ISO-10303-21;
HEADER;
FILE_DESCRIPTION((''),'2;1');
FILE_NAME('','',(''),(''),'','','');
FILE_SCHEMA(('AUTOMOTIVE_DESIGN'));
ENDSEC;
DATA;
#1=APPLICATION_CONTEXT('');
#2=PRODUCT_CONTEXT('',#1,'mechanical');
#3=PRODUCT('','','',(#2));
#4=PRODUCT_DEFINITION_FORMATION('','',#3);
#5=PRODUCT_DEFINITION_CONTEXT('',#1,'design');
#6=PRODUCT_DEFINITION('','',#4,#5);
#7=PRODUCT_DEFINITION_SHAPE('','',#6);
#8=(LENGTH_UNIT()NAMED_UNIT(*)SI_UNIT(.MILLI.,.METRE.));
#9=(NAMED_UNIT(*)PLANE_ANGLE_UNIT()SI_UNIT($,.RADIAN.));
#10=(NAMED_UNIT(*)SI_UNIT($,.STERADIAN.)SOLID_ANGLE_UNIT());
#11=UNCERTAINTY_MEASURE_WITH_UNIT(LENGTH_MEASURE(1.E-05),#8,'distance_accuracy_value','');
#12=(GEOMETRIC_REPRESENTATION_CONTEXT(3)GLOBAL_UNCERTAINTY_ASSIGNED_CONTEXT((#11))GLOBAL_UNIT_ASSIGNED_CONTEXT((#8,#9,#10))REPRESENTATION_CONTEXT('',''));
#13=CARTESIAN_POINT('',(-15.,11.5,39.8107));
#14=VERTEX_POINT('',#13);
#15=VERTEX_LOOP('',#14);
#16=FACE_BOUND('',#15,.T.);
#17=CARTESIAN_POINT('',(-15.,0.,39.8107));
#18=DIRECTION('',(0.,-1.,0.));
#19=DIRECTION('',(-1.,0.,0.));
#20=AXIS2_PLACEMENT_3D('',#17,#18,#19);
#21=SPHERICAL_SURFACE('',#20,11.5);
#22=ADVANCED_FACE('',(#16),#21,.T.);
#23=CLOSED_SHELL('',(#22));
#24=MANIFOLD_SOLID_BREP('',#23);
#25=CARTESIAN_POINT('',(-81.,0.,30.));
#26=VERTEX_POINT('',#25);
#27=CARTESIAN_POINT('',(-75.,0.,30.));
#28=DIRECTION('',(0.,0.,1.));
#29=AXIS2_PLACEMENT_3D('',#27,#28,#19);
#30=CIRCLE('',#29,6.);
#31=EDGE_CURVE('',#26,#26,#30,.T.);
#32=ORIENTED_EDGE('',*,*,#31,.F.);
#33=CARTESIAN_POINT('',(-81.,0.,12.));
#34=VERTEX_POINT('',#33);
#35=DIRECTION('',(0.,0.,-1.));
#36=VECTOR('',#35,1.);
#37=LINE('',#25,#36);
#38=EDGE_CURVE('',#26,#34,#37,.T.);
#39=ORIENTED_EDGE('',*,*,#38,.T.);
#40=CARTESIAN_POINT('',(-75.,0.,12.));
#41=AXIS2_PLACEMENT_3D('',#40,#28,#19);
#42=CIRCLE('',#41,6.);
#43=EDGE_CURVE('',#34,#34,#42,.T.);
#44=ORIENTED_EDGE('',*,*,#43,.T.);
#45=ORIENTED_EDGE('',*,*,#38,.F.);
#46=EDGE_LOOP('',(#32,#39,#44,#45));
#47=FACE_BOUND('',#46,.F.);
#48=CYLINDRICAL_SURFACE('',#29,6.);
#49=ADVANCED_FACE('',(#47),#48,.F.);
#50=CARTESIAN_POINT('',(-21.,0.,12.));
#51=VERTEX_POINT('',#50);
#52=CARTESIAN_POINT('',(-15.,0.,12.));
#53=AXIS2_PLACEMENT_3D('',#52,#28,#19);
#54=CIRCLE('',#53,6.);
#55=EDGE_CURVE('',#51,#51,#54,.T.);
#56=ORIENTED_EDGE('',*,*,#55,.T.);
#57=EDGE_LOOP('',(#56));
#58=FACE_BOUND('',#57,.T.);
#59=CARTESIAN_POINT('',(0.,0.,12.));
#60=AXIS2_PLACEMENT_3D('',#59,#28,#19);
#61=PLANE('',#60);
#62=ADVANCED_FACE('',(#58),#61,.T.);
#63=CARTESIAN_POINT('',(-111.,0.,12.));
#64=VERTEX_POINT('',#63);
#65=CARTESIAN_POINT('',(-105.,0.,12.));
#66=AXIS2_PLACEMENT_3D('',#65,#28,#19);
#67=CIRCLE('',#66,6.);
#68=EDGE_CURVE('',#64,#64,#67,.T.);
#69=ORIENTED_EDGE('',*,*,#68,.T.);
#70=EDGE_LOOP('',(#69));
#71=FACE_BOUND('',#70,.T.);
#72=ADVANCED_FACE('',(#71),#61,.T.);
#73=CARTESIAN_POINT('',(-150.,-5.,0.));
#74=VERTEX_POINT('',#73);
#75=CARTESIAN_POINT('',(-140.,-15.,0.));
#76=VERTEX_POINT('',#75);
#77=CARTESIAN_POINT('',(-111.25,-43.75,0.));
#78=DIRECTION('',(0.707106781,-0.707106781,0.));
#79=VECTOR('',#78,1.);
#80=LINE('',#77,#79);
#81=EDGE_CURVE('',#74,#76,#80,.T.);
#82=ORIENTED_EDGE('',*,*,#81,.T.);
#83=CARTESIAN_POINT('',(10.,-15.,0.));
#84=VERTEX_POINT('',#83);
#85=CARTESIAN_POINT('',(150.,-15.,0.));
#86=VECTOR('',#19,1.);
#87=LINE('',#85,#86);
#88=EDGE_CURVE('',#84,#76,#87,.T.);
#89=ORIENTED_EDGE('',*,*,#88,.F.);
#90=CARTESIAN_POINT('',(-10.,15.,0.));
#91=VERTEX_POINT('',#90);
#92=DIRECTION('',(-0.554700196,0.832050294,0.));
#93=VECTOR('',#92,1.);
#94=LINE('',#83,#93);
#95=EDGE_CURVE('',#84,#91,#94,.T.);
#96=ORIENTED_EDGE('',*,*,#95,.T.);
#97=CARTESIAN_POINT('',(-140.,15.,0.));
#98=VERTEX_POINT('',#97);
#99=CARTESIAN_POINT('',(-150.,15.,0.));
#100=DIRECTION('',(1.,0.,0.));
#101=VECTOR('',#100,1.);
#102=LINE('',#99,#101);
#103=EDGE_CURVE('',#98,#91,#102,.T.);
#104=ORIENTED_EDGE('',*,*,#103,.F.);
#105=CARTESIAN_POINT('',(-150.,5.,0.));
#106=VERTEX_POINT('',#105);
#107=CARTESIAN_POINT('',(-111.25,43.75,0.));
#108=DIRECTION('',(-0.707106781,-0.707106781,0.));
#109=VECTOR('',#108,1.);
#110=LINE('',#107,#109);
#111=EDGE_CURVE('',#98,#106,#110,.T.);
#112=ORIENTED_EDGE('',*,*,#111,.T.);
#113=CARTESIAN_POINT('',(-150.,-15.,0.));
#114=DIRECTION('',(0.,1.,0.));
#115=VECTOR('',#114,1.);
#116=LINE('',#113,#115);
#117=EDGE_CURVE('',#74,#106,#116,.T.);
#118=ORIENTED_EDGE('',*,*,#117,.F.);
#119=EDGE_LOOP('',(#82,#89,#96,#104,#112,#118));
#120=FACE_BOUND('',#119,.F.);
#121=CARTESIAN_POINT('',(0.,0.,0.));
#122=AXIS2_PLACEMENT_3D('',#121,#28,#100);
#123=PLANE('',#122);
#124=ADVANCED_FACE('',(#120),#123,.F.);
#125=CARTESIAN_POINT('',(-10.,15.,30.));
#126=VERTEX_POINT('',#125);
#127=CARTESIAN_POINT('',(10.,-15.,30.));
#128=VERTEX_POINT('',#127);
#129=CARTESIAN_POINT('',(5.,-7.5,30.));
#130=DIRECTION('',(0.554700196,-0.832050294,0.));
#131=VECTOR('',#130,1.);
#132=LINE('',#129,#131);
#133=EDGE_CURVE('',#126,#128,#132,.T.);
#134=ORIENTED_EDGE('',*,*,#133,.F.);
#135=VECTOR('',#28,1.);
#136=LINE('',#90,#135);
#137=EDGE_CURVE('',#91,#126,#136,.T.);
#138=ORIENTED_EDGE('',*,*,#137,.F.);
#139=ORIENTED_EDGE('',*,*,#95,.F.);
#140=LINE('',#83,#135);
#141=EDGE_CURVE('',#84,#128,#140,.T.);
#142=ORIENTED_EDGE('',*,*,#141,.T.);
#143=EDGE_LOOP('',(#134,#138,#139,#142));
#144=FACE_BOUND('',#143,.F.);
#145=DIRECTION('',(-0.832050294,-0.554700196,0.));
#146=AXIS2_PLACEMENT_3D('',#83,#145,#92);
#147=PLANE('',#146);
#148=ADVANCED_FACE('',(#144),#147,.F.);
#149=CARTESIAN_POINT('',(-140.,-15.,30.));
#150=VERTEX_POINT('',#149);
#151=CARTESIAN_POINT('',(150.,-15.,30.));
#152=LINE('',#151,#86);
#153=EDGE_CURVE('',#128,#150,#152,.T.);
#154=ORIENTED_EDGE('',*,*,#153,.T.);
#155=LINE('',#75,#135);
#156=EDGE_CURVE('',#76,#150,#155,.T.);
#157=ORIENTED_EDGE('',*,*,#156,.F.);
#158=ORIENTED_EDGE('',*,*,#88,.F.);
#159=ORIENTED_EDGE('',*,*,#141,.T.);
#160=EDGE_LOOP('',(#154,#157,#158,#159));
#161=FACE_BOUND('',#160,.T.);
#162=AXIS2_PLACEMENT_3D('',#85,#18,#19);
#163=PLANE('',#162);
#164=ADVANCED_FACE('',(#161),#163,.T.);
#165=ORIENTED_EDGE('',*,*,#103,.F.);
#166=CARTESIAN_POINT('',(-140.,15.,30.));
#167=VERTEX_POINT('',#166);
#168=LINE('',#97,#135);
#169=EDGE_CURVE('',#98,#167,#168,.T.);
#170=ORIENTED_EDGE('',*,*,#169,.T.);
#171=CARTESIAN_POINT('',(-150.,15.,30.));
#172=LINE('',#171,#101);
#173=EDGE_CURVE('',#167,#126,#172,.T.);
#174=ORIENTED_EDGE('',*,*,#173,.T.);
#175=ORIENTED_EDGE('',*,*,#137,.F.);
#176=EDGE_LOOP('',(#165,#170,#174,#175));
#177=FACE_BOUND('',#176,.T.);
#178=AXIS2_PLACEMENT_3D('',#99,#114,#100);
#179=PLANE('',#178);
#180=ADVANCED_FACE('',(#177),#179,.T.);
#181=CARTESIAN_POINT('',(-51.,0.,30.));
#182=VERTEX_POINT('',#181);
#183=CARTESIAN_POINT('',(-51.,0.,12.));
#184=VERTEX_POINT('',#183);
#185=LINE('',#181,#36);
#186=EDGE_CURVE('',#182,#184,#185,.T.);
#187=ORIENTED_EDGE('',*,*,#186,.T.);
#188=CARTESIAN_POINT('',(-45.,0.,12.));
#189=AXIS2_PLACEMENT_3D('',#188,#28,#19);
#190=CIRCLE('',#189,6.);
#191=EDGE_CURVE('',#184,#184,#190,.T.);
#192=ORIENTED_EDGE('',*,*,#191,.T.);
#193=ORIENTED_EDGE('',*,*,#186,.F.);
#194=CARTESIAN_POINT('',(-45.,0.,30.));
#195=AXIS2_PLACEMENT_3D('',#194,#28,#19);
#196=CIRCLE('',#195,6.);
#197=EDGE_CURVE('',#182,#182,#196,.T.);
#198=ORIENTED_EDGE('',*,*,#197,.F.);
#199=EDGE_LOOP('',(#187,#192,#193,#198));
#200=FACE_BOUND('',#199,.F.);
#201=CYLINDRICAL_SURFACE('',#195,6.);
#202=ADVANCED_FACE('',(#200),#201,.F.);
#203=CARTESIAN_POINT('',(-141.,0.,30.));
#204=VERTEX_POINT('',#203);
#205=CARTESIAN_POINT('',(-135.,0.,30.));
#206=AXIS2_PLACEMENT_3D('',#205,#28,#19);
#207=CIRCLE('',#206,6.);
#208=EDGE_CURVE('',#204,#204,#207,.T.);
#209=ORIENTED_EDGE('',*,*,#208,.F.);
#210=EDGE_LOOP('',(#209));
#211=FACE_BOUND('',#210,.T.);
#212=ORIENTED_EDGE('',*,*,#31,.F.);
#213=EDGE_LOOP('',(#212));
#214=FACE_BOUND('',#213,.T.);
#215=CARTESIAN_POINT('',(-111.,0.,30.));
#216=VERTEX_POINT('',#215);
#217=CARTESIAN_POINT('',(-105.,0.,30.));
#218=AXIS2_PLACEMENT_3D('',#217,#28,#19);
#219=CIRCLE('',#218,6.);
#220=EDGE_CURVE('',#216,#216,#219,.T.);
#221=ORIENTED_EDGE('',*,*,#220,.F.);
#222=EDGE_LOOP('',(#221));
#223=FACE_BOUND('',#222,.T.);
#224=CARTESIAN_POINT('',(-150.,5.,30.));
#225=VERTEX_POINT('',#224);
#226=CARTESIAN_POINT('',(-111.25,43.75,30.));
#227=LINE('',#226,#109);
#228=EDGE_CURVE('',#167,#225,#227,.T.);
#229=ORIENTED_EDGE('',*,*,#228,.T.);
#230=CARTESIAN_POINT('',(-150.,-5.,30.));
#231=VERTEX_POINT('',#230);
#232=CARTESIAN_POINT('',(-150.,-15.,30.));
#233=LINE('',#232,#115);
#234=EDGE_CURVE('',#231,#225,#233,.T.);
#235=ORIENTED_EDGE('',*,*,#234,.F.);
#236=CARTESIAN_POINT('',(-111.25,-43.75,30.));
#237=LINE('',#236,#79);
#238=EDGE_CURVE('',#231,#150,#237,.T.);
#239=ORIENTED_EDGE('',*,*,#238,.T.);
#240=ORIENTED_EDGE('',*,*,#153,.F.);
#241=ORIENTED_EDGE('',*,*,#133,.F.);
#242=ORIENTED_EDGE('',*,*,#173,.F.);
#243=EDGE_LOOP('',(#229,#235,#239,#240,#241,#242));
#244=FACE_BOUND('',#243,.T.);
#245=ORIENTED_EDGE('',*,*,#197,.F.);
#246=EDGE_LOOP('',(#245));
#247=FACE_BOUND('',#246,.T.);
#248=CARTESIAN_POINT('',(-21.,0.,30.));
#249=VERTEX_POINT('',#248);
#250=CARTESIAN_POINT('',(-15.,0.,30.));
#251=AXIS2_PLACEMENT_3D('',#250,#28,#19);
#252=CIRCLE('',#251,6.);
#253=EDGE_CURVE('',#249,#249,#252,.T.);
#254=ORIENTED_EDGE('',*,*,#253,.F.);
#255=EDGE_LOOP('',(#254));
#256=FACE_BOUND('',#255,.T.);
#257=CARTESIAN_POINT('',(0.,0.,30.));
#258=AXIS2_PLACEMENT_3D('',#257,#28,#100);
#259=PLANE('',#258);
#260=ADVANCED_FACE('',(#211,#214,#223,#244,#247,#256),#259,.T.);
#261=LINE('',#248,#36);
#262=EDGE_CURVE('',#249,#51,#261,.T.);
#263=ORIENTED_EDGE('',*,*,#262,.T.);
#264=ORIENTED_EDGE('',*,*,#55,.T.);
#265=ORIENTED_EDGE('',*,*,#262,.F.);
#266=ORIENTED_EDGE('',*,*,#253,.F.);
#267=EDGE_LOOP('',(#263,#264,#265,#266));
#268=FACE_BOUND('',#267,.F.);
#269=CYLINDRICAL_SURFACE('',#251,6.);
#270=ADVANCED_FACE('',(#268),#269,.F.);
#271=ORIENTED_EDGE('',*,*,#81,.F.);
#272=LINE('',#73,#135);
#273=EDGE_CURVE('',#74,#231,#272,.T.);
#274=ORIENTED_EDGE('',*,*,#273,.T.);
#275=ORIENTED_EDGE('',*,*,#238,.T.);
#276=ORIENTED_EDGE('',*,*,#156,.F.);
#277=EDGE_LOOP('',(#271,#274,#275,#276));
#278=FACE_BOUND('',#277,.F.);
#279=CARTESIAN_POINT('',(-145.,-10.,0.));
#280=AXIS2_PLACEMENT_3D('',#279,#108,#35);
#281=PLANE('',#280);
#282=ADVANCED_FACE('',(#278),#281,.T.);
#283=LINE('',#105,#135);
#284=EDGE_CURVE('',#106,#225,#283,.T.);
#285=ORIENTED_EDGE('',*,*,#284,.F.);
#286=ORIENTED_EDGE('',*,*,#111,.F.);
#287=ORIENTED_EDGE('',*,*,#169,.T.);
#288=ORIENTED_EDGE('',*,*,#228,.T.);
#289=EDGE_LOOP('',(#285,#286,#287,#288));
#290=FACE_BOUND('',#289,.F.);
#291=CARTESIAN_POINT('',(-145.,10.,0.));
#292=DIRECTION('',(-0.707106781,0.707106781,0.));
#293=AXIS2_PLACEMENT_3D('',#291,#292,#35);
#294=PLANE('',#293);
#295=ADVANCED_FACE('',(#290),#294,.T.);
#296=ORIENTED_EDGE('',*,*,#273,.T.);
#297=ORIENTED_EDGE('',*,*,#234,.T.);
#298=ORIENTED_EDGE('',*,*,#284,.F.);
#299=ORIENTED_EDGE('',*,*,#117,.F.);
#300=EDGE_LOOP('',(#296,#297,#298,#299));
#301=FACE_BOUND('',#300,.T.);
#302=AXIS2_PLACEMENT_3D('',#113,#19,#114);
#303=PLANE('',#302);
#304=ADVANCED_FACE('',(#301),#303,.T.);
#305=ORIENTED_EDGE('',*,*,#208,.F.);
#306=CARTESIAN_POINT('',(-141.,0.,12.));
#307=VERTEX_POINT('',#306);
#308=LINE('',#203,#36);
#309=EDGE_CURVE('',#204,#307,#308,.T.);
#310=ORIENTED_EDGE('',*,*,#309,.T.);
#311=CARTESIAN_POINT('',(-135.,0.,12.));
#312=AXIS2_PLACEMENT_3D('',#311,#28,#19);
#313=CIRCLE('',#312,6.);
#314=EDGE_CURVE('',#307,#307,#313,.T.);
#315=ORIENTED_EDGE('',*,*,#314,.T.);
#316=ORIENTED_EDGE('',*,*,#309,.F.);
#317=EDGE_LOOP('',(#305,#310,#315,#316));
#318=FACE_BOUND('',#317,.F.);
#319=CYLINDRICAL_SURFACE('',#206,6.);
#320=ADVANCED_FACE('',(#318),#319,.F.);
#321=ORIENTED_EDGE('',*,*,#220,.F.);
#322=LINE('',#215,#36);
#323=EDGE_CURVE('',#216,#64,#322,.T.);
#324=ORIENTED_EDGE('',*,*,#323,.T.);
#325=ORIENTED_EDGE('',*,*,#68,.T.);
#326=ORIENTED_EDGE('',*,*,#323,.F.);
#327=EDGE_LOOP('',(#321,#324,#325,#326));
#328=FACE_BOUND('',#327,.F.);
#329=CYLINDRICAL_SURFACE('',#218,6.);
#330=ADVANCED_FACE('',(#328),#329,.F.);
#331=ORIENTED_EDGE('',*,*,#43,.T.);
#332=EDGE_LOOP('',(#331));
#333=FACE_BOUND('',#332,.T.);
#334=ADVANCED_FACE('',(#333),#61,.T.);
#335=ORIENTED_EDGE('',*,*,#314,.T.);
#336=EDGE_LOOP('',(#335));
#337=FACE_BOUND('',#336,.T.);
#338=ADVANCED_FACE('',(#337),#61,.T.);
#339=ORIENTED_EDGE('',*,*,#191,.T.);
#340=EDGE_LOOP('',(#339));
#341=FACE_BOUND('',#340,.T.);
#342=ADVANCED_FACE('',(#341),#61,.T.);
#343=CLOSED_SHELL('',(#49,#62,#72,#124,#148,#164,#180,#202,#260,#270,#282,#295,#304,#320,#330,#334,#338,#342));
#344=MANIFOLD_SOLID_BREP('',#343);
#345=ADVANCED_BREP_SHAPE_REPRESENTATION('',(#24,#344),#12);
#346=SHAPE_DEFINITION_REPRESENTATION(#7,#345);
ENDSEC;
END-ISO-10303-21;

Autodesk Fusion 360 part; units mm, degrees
sketch "Sketch1" plane through (0, 0, 0) normal (0, 0, 1) x (1, 0, 0) in component "Component"
  line L0 (150, -15) -> (-150, -15)
  line L1 (-150, -15) -> (-150, 15)
  line L2 (-150, 15) -> (150, 15)
  line L3 (150, 15) -> (150, -15)
  line L4 (150, -15) -> (-150, 15) construction
  line L5 (-150, -15) -> (150, 15) construction
  dimension "d1" = 300
  dimension "d2" = 30
extrude "Extrude1" add sketch "Sketch1" along normal blind 30 makes body 1 in component "Component"
sketch "Sketch2" plane through (0, 0, 30) normal (0, 0, 1) x (-1, 0, 0) in component "Component"
  line L0 (-150, -15) -> (150, -15)
  line L1 (150, -15) -> (150, 15)
  line L2 (150, 15) -> (-150, 15)
  line L3 (-150, 15) -> (-150, -15)
  line L4 (-150, 0) -> (-135, 0) construction
  circle A0 centre (-135, 0) radius 6
  circle A1 centre (-105, 0) radius 6
  circle A2 centre (-75, 0) radius 6
  circle A3 centre (-45, 0) radius 6
  circle A4 centre (-15, 0) radius 6
  circle A5 centre (15, 0) radius 6
  circle A6 centre (45, 0) radius 6
  circle A7 centre (75, 0) radius 6
  circle A8 centre (105, 0) radius 6
  circle A9 centre (135, 0) radius 6
  dimension "d5" = 15
  dimension "d6" = 12
  dimension "d9" = 30
  dimension "d10" = 0
extrude "Extrude2" cut sketch "Sketch2" against normal blind 18 contours A0 | A1 | A2 | A3 | A4 | A5 | A6 | A7 | A8 | A9 bodies 1 in component "Component"
chamfer "Chamfer1" distance 10 distance2 10 4 edges at (150, 15, 15) (-150, 15, 15) (-150, -15, 15) (150, -15, 15) measured on face at (150, 5, 10) measured on face at (-50, 15, 10) measured on face at (-150, -5, 10) measured on face at (50, -15, 10) on bodies 1 in component "Component"
sketch "Sketch3" plane through (0, 0, 0) normal (0, 0, -1) x (1, 0, 0) in component "Component"
  line L0 (150, 5) -> (140, 15)
  line L1 (140, 15) -> (-140, 15)
  line L2 (-140, 15) -> (-150, 5)
  line L3 (-150, 5) -> (-150, -5)
  line L4 (-150, -5) -> (-140, -15)
  line L5 (-140, -15) -> (140, -15)
  line L6 (140, -15) -> (150, -5)
  line L7 (150, -5) -> (150, 5)
  line L8 (0, 0) -> (0, 15) construction
  line L9 (0, 15) -> (10, 15) construction
  line L10 (10, 15) -> (-10, -15)
  dimension "d15" = 10
extrude "Extrude3" cut sketch "Sketch3" against normal blind 75 contours L0 L1 L5 L6 L7 L10 bodies 1 in component "Component"
sphere "SpherePrimitive1" add diameter 23 placed x (-1, 0, 0) y (0, -1, 0) z (0, 0, 1) at (-75, 0, 30) separate body makes body 2 in component "Component'"
sketch "Esquisse4" plane through (0, 0, 0) normal (0, 1, 0) x (1, 0, 0) in component "Component"
  line L0 (-9, -30) -> (-21, -30) construction
  line L1 (-15, -30) -> (-15, -51.3107) construction
  circle A0 centre (-15, -39.8107) radius 11.5 construction
  dimension "d21" = 23
component "Component" placed x (1, 0, 0) y (0, 1, 0) z (0, 0, 1) at (0, 0, 0)
component "Component'" placed x (1, 0, 0) y (0, 0, 1) z (0, -1, 0) at (60, 30, 39.8107)
equation "d11 = -( 30 mm - 12 mm )"
